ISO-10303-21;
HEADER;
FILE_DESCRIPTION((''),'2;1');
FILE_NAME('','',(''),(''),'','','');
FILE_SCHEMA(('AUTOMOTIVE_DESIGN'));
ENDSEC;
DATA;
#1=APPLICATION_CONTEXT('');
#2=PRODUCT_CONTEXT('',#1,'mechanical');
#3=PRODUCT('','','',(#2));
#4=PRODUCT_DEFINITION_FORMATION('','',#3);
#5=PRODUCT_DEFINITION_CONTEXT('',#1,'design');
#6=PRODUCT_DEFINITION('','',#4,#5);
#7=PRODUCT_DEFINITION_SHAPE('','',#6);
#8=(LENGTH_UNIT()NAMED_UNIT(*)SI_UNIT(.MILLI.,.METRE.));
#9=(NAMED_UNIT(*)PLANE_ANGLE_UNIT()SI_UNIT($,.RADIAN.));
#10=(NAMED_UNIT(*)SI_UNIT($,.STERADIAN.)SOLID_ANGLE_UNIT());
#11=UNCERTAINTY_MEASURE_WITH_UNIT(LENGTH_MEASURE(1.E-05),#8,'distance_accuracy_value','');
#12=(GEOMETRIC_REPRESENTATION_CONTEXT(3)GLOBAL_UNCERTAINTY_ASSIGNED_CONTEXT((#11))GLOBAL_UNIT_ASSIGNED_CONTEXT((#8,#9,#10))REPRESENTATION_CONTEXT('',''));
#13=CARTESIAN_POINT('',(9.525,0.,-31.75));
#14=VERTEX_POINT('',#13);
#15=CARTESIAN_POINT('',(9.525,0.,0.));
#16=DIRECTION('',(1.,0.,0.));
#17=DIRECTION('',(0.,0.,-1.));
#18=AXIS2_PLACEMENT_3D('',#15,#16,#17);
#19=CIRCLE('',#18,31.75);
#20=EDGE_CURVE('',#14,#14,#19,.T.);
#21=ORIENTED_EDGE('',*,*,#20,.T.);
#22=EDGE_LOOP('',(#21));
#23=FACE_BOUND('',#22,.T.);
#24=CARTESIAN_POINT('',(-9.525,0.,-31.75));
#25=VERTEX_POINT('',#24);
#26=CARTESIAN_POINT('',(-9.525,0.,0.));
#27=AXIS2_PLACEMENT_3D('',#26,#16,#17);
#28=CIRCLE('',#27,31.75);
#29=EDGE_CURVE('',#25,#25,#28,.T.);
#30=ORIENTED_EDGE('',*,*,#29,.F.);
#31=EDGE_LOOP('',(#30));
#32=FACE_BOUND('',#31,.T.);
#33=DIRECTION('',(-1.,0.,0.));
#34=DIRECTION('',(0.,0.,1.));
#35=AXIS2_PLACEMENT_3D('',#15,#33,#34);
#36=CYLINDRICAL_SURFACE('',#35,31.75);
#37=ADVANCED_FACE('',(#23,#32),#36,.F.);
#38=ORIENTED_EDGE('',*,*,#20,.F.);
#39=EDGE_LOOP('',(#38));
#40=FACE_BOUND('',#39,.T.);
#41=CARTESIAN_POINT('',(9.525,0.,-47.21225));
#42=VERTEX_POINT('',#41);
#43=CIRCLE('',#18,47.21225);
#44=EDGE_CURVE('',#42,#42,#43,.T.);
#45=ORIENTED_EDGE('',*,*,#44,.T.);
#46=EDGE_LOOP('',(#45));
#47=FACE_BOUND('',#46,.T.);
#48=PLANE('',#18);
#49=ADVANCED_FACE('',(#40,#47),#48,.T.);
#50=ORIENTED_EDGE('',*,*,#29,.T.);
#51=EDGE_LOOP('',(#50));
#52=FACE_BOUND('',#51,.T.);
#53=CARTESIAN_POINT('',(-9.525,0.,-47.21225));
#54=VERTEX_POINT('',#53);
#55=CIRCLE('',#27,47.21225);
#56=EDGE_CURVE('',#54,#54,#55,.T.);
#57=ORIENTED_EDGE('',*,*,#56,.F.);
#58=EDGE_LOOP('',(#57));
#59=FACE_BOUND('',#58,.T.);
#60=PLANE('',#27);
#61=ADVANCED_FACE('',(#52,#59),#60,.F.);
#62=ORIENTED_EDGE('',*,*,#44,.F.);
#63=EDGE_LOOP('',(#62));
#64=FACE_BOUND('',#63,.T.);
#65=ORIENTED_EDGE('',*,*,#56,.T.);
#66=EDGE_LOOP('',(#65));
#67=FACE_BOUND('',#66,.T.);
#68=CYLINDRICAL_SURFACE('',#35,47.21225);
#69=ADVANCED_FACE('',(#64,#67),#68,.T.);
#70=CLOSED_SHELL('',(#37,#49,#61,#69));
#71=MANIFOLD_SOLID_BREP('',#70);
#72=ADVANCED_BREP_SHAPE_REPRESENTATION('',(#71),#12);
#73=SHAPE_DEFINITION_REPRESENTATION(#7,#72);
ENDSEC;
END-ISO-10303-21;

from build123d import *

# Parameters (mm, degrees)
SKETCH1_R           = 47.21225
SKETCH1_R_2         = 31.75
BOSS_EXTRUDE1_DEPTH = 9.525


with BuildPart() as part:
    # Sketch1 → Boss-Extrude1 (new body, symmetric)
    with BuildSketch(Plane(origin=(0, 0, 0), x_dir=(0, 0, -1), z_dir=(1, 0, 0))):
        Circle(SKETCH1_R)
        Circle(SKETCH1_R_2, mode=Mode.SUBTRACT)
    extrude(amount=BOSS_EXTRUDE1_DEPTH, both=True)


solid = part.part
